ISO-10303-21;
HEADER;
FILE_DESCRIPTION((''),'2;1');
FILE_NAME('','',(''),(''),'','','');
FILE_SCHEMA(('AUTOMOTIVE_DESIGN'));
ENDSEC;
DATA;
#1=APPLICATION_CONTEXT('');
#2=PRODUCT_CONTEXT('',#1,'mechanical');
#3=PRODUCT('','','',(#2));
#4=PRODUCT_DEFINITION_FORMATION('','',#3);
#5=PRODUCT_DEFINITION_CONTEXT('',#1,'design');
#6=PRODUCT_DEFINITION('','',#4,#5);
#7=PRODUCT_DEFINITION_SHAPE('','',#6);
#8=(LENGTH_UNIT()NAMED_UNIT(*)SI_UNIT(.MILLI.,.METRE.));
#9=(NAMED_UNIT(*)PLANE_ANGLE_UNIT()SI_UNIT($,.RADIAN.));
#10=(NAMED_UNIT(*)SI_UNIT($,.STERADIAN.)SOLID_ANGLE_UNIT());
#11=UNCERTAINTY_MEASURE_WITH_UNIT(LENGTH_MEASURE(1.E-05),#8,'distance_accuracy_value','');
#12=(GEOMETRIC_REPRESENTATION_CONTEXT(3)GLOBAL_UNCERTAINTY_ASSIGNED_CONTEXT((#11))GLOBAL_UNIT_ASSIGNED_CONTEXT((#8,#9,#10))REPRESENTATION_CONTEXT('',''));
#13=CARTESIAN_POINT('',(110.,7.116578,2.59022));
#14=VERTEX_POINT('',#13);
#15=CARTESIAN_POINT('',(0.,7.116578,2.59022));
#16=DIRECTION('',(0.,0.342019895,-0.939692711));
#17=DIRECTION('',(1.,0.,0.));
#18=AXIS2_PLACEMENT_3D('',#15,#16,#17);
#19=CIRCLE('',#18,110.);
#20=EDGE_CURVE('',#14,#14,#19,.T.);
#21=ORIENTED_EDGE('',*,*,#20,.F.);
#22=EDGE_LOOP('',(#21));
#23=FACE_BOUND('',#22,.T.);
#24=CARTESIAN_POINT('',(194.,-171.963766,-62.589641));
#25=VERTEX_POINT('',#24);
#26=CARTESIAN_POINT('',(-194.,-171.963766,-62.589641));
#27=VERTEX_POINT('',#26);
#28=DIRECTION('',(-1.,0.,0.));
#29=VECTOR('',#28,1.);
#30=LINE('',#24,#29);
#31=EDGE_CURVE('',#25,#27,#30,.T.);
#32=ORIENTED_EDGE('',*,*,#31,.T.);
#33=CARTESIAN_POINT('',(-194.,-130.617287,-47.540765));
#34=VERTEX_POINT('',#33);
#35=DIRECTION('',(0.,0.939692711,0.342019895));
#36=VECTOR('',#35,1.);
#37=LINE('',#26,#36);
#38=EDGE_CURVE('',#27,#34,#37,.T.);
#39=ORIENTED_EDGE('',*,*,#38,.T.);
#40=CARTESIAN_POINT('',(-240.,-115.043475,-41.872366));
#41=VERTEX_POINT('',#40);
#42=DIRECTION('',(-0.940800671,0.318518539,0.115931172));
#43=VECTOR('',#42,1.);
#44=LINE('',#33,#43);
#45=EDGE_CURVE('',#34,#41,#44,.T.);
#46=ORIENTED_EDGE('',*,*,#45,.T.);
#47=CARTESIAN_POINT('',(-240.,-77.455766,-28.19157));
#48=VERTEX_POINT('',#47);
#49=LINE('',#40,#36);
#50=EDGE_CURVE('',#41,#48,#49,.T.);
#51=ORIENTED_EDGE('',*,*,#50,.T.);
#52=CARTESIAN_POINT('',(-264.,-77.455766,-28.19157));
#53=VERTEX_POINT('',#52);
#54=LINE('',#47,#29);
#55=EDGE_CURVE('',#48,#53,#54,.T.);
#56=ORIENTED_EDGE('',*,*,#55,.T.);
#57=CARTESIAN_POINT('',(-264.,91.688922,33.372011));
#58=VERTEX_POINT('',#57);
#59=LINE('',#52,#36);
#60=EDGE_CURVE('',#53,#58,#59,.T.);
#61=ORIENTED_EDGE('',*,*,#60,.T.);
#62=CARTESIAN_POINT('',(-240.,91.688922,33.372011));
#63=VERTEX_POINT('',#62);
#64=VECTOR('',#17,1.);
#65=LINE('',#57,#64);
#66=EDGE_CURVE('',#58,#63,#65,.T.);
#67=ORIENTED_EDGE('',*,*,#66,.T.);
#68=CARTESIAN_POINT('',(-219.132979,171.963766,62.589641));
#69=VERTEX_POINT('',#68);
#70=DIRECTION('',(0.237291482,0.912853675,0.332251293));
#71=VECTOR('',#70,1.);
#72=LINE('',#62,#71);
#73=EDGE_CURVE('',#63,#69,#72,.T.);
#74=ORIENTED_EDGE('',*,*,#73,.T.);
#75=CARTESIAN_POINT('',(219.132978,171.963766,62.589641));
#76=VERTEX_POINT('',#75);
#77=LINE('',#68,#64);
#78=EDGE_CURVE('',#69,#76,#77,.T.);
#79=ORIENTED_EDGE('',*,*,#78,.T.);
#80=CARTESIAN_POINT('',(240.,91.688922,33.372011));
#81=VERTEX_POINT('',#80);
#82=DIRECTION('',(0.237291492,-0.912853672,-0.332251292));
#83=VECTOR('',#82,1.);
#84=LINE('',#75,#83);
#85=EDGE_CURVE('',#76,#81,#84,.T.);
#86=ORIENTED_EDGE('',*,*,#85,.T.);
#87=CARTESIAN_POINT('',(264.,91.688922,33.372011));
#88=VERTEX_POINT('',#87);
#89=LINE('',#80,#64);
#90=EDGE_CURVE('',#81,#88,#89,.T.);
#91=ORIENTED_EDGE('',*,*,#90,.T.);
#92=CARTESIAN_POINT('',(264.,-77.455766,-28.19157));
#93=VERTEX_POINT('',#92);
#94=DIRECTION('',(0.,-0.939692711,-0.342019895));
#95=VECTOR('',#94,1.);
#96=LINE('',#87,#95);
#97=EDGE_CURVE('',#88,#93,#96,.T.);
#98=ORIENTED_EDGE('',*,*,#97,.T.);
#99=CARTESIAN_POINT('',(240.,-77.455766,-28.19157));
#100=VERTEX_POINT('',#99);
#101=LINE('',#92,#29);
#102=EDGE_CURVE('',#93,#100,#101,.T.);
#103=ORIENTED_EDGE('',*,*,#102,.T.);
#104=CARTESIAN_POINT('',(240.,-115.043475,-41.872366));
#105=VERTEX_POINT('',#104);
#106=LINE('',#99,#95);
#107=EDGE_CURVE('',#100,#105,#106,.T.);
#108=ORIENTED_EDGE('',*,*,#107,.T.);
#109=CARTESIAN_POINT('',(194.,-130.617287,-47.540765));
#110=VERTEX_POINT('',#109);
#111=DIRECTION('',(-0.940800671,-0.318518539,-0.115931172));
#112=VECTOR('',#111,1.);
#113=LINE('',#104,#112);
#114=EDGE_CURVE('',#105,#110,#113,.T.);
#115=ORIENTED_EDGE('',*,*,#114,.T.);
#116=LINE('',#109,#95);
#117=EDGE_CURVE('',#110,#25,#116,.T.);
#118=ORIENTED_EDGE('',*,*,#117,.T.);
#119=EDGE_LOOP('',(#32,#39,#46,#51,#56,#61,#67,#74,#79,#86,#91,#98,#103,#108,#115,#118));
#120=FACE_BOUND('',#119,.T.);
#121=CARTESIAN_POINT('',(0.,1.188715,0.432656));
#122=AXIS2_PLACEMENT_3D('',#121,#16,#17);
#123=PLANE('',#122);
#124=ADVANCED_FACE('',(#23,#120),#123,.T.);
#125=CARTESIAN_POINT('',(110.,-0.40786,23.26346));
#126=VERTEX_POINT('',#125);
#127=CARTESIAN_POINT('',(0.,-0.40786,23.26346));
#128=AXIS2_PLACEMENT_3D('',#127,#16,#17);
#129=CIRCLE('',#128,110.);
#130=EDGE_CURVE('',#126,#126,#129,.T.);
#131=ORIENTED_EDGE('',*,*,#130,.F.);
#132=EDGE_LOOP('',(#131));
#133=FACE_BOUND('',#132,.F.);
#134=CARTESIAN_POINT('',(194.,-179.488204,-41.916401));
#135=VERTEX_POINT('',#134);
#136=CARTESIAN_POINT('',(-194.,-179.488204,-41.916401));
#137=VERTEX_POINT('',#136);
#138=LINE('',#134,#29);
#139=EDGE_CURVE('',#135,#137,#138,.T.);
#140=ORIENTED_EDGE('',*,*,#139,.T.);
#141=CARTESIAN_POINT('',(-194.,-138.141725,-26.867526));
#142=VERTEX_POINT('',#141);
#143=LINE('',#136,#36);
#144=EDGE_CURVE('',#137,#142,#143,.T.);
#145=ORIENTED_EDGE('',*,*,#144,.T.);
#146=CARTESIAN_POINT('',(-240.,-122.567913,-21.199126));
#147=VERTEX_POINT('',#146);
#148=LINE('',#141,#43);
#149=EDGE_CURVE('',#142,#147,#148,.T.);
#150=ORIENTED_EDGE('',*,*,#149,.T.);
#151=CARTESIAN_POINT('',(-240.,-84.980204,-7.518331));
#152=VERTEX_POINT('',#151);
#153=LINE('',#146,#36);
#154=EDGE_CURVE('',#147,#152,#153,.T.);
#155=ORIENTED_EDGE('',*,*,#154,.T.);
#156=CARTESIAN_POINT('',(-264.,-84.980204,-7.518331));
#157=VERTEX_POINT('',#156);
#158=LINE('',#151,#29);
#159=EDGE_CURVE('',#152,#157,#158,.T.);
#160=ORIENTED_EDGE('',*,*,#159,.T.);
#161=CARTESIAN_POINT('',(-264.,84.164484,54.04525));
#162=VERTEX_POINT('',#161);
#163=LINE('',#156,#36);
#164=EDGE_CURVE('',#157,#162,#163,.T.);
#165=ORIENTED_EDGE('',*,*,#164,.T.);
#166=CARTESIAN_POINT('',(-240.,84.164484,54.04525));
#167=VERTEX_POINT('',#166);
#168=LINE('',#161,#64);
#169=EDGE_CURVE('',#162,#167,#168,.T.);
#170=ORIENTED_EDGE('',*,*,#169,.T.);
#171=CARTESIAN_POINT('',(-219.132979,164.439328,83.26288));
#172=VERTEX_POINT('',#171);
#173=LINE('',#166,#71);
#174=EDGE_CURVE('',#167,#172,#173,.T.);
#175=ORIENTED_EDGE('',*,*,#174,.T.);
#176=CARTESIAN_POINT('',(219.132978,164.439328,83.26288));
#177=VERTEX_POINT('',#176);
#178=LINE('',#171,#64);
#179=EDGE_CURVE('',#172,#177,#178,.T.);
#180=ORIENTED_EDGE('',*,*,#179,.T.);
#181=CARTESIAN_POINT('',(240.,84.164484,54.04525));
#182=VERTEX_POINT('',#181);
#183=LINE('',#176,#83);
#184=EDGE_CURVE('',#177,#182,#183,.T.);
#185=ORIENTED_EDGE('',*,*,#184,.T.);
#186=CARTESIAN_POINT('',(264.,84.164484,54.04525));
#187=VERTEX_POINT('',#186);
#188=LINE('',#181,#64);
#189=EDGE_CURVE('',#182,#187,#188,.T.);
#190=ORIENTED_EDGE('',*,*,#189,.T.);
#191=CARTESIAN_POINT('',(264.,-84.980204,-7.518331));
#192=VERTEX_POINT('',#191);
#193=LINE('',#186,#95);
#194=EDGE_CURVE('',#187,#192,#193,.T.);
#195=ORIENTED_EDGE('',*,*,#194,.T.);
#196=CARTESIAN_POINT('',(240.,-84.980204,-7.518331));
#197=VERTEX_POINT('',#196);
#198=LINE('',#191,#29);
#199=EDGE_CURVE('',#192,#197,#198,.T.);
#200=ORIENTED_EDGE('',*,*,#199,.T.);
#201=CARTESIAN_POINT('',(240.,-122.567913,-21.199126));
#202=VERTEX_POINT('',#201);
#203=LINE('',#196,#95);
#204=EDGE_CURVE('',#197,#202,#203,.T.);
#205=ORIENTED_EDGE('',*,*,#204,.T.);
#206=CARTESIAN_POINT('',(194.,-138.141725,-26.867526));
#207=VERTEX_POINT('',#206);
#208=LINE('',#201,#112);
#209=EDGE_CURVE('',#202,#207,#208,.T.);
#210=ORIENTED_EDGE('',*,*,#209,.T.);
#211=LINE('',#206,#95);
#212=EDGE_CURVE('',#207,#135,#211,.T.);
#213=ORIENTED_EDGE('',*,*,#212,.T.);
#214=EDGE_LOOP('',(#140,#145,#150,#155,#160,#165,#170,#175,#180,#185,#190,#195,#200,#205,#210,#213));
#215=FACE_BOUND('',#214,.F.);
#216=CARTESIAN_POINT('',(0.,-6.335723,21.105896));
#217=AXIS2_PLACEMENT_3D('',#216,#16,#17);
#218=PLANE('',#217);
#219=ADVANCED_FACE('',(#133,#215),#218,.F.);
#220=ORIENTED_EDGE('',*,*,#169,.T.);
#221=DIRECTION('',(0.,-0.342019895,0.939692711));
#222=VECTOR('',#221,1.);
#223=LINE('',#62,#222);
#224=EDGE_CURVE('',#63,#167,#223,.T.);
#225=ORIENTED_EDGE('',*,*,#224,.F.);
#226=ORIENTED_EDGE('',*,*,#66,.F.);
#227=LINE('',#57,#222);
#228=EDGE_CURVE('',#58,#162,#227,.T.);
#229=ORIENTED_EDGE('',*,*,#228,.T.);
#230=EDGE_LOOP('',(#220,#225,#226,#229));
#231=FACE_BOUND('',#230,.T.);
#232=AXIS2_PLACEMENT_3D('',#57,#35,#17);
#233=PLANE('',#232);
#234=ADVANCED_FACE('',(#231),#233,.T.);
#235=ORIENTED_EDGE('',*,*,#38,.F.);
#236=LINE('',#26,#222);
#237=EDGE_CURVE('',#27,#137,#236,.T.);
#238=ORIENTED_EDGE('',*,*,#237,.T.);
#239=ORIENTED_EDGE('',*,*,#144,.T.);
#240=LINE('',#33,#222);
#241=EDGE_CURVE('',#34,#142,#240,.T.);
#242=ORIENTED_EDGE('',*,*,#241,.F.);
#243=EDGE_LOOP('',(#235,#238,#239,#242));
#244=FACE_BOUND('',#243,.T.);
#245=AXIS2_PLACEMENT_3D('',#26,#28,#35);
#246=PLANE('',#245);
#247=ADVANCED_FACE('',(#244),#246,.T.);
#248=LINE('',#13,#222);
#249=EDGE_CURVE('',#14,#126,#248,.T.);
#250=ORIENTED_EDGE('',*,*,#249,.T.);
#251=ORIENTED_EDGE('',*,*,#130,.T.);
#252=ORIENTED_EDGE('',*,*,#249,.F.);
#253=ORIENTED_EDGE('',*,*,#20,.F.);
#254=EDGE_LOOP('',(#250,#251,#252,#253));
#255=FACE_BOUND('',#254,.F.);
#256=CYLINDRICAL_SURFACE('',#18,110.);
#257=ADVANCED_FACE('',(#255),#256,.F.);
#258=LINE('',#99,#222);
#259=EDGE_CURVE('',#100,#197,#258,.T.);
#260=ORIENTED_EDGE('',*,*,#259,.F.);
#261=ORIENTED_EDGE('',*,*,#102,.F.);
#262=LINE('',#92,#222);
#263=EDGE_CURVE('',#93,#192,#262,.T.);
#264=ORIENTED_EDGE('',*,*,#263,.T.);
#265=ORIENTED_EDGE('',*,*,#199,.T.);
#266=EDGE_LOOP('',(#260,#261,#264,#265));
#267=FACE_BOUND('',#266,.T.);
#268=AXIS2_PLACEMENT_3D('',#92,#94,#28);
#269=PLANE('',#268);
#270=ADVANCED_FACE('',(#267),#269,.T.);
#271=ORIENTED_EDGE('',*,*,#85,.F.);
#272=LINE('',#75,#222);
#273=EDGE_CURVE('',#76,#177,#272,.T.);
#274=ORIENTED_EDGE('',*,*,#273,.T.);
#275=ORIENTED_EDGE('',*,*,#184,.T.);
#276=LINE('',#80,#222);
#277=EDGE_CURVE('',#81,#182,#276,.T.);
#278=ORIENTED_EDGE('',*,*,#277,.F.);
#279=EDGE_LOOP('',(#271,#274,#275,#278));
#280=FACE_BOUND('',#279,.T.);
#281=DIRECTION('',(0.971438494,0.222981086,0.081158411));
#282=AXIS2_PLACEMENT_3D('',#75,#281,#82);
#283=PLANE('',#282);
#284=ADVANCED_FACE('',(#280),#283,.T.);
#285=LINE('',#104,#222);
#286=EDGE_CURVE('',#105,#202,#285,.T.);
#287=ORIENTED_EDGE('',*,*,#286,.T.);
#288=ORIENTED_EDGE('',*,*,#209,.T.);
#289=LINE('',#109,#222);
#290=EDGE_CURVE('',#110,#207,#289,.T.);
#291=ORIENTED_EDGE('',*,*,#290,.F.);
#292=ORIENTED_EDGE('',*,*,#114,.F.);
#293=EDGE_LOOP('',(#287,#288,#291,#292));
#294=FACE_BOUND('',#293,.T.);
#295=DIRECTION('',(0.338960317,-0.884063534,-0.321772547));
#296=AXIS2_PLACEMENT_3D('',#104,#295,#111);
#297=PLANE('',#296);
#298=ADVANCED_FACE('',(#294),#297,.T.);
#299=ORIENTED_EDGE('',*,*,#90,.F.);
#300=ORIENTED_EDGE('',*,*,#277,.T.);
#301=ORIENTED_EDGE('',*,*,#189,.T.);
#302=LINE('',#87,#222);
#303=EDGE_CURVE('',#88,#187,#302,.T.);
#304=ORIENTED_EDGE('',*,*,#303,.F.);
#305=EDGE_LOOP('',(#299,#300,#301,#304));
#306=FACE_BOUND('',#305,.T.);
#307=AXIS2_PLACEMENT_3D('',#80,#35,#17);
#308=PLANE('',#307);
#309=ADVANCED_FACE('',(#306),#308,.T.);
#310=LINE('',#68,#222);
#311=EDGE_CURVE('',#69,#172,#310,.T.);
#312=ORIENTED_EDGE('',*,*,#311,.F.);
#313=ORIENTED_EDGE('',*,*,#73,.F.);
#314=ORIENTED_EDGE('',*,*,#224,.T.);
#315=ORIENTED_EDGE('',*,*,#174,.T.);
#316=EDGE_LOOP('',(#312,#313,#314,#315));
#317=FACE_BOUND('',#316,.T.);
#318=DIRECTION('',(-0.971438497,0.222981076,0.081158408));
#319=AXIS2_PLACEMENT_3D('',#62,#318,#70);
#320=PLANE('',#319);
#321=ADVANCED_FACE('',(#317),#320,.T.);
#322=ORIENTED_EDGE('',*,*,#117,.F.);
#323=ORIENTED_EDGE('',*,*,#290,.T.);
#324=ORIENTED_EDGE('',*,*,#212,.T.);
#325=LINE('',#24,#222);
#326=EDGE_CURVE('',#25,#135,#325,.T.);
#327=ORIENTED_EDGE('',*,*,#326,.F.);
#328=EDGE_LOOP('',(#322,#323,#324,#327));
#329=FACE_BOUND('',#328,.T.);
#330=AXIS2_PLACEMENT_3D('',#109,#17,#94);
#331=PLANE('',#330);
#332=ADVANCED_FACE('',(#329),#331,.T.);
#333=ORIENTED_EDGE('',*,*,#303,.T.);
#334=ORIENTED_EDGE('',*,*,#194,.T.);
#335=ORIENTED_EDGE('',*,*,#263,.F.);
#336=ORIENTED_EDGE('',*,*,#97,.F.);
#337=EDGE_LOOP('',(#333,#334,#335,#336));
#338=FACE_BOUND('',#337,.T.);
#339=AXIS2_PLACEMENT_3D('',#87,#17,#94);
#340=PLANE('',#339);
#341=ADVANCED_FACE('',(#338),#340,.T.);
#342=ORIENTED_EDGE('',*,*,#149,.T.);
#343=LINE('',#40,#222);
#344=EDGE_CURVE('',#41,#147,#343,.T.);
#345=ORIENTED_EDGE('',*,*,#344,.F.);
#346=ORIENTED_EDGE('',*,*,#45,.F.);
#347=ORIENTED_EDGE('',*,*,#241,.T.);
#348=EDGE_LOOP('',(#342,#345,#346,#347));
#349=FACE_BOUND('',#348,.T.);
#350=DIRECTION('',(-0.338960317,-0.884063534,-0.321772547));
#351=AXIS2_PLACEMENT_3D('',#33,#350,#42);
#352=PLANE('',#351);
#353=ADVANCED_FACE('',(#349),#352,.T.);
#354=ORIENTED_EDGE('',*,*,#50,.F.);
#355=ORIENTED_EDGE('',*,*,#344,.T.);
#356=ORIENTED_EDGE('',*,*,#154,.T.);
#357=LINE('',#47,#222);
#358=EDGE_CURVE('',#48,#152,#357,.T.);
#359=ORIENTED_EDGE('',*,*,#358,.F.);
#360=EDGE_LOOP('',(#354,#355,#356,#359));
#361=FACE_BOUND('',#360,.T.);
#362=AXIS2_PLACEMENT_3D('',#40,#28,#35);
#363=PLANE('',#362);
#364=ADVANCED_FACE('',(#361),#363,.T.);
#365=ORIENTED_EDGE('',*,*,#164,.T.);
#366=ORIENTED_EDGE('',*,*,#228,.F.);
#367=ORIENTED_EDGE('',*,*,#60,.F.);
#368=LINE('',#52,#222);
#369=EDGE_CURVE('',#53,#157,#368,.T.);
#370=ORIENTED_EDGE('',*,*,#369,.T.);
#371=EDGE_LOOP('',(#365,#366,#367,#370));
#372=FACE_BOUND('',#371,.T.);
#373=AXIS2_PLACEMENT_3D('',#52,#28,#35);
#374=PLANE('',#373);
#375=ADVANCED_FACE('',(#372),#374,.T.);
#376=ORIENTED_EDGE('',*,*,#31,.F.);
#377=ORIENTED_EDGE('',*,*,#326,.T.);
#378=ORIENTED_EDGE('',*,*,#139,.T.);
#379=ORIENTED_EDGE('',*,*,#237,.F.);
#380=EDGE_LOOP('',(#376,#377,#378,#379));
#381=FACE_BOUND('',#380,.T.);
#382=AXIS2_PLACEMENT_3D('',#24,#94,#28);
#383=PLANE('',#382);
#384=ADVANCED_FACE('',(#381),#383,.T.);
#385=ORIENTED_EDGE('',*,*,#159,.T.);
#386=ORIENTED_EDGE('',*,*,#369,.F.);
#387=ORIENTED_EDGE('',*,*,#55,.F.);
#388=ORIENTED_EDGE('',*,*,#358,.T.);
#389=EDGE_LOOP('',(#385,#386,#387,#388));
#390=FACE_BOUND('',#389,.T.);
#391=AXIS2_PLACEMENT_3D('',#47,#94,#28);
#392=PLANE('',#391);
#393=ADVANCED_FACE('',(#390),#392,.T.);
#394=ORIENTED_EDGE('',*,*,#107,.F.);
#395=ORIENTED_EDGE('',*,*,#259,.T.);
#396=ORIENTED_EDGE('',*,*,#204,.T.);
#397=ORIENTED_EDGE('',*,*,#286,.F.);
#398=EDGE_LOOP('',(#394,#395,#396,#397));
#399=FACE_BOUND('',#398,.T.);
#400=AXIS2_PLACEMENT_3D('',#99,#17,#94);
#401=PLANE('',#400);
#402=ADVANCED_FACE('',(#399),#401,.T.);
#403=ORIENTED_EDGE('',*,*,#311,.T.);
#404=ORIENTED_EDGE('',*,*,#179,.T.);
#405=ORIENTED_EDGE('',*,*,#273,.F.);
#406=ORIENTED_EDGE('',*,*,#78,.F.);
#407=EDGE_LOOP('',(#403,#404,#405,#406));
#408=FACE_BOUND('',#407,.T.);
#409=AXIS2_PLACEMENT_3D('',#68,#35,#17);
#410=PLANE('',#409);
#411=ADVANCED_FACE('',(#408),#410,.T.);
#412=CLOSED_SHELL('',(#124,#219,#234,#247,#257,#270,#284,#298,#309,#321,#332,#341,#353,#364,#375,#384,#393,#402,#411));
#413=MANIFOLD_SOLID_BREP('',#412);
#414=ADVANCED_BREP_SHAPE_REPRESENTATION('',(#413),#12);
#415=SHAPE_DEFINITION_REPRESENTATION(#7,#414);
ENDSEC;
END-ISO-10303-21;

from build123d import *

# Parameters (mm, degrees)
F2_R     = 110
F3_DEPTH = 22


with BuildPart() as f3:
    # F2 (on face) → F3 (new body)
    with BuildSketch(Plane(origin=(0, 0, 0), x_dir=(1, 0, 0), z_dir=(0, 0.34202, -0.939693))):
        Polygon((-194, 183), (-194, 139), (-240, 122.426697), (-240, 82.426697), (-264, 82.426697), (-264, -97.573303), (-240, -97.573303), (-219.132979, -183), (-160, -183), (160, -183), (219.132978, -183), (240, -97.573303), (264, -97.573303), (264, 82.426697), (240, 82.426697), (240, 122.426697), (194, 139), (194, 183), align=None)
        with Locations((0, -7.573303)):
            Circle(F2_R, mode=Mode.SUBTRACT)
    extrude(amount=-F3_DEPTH)


solid = f3.part
